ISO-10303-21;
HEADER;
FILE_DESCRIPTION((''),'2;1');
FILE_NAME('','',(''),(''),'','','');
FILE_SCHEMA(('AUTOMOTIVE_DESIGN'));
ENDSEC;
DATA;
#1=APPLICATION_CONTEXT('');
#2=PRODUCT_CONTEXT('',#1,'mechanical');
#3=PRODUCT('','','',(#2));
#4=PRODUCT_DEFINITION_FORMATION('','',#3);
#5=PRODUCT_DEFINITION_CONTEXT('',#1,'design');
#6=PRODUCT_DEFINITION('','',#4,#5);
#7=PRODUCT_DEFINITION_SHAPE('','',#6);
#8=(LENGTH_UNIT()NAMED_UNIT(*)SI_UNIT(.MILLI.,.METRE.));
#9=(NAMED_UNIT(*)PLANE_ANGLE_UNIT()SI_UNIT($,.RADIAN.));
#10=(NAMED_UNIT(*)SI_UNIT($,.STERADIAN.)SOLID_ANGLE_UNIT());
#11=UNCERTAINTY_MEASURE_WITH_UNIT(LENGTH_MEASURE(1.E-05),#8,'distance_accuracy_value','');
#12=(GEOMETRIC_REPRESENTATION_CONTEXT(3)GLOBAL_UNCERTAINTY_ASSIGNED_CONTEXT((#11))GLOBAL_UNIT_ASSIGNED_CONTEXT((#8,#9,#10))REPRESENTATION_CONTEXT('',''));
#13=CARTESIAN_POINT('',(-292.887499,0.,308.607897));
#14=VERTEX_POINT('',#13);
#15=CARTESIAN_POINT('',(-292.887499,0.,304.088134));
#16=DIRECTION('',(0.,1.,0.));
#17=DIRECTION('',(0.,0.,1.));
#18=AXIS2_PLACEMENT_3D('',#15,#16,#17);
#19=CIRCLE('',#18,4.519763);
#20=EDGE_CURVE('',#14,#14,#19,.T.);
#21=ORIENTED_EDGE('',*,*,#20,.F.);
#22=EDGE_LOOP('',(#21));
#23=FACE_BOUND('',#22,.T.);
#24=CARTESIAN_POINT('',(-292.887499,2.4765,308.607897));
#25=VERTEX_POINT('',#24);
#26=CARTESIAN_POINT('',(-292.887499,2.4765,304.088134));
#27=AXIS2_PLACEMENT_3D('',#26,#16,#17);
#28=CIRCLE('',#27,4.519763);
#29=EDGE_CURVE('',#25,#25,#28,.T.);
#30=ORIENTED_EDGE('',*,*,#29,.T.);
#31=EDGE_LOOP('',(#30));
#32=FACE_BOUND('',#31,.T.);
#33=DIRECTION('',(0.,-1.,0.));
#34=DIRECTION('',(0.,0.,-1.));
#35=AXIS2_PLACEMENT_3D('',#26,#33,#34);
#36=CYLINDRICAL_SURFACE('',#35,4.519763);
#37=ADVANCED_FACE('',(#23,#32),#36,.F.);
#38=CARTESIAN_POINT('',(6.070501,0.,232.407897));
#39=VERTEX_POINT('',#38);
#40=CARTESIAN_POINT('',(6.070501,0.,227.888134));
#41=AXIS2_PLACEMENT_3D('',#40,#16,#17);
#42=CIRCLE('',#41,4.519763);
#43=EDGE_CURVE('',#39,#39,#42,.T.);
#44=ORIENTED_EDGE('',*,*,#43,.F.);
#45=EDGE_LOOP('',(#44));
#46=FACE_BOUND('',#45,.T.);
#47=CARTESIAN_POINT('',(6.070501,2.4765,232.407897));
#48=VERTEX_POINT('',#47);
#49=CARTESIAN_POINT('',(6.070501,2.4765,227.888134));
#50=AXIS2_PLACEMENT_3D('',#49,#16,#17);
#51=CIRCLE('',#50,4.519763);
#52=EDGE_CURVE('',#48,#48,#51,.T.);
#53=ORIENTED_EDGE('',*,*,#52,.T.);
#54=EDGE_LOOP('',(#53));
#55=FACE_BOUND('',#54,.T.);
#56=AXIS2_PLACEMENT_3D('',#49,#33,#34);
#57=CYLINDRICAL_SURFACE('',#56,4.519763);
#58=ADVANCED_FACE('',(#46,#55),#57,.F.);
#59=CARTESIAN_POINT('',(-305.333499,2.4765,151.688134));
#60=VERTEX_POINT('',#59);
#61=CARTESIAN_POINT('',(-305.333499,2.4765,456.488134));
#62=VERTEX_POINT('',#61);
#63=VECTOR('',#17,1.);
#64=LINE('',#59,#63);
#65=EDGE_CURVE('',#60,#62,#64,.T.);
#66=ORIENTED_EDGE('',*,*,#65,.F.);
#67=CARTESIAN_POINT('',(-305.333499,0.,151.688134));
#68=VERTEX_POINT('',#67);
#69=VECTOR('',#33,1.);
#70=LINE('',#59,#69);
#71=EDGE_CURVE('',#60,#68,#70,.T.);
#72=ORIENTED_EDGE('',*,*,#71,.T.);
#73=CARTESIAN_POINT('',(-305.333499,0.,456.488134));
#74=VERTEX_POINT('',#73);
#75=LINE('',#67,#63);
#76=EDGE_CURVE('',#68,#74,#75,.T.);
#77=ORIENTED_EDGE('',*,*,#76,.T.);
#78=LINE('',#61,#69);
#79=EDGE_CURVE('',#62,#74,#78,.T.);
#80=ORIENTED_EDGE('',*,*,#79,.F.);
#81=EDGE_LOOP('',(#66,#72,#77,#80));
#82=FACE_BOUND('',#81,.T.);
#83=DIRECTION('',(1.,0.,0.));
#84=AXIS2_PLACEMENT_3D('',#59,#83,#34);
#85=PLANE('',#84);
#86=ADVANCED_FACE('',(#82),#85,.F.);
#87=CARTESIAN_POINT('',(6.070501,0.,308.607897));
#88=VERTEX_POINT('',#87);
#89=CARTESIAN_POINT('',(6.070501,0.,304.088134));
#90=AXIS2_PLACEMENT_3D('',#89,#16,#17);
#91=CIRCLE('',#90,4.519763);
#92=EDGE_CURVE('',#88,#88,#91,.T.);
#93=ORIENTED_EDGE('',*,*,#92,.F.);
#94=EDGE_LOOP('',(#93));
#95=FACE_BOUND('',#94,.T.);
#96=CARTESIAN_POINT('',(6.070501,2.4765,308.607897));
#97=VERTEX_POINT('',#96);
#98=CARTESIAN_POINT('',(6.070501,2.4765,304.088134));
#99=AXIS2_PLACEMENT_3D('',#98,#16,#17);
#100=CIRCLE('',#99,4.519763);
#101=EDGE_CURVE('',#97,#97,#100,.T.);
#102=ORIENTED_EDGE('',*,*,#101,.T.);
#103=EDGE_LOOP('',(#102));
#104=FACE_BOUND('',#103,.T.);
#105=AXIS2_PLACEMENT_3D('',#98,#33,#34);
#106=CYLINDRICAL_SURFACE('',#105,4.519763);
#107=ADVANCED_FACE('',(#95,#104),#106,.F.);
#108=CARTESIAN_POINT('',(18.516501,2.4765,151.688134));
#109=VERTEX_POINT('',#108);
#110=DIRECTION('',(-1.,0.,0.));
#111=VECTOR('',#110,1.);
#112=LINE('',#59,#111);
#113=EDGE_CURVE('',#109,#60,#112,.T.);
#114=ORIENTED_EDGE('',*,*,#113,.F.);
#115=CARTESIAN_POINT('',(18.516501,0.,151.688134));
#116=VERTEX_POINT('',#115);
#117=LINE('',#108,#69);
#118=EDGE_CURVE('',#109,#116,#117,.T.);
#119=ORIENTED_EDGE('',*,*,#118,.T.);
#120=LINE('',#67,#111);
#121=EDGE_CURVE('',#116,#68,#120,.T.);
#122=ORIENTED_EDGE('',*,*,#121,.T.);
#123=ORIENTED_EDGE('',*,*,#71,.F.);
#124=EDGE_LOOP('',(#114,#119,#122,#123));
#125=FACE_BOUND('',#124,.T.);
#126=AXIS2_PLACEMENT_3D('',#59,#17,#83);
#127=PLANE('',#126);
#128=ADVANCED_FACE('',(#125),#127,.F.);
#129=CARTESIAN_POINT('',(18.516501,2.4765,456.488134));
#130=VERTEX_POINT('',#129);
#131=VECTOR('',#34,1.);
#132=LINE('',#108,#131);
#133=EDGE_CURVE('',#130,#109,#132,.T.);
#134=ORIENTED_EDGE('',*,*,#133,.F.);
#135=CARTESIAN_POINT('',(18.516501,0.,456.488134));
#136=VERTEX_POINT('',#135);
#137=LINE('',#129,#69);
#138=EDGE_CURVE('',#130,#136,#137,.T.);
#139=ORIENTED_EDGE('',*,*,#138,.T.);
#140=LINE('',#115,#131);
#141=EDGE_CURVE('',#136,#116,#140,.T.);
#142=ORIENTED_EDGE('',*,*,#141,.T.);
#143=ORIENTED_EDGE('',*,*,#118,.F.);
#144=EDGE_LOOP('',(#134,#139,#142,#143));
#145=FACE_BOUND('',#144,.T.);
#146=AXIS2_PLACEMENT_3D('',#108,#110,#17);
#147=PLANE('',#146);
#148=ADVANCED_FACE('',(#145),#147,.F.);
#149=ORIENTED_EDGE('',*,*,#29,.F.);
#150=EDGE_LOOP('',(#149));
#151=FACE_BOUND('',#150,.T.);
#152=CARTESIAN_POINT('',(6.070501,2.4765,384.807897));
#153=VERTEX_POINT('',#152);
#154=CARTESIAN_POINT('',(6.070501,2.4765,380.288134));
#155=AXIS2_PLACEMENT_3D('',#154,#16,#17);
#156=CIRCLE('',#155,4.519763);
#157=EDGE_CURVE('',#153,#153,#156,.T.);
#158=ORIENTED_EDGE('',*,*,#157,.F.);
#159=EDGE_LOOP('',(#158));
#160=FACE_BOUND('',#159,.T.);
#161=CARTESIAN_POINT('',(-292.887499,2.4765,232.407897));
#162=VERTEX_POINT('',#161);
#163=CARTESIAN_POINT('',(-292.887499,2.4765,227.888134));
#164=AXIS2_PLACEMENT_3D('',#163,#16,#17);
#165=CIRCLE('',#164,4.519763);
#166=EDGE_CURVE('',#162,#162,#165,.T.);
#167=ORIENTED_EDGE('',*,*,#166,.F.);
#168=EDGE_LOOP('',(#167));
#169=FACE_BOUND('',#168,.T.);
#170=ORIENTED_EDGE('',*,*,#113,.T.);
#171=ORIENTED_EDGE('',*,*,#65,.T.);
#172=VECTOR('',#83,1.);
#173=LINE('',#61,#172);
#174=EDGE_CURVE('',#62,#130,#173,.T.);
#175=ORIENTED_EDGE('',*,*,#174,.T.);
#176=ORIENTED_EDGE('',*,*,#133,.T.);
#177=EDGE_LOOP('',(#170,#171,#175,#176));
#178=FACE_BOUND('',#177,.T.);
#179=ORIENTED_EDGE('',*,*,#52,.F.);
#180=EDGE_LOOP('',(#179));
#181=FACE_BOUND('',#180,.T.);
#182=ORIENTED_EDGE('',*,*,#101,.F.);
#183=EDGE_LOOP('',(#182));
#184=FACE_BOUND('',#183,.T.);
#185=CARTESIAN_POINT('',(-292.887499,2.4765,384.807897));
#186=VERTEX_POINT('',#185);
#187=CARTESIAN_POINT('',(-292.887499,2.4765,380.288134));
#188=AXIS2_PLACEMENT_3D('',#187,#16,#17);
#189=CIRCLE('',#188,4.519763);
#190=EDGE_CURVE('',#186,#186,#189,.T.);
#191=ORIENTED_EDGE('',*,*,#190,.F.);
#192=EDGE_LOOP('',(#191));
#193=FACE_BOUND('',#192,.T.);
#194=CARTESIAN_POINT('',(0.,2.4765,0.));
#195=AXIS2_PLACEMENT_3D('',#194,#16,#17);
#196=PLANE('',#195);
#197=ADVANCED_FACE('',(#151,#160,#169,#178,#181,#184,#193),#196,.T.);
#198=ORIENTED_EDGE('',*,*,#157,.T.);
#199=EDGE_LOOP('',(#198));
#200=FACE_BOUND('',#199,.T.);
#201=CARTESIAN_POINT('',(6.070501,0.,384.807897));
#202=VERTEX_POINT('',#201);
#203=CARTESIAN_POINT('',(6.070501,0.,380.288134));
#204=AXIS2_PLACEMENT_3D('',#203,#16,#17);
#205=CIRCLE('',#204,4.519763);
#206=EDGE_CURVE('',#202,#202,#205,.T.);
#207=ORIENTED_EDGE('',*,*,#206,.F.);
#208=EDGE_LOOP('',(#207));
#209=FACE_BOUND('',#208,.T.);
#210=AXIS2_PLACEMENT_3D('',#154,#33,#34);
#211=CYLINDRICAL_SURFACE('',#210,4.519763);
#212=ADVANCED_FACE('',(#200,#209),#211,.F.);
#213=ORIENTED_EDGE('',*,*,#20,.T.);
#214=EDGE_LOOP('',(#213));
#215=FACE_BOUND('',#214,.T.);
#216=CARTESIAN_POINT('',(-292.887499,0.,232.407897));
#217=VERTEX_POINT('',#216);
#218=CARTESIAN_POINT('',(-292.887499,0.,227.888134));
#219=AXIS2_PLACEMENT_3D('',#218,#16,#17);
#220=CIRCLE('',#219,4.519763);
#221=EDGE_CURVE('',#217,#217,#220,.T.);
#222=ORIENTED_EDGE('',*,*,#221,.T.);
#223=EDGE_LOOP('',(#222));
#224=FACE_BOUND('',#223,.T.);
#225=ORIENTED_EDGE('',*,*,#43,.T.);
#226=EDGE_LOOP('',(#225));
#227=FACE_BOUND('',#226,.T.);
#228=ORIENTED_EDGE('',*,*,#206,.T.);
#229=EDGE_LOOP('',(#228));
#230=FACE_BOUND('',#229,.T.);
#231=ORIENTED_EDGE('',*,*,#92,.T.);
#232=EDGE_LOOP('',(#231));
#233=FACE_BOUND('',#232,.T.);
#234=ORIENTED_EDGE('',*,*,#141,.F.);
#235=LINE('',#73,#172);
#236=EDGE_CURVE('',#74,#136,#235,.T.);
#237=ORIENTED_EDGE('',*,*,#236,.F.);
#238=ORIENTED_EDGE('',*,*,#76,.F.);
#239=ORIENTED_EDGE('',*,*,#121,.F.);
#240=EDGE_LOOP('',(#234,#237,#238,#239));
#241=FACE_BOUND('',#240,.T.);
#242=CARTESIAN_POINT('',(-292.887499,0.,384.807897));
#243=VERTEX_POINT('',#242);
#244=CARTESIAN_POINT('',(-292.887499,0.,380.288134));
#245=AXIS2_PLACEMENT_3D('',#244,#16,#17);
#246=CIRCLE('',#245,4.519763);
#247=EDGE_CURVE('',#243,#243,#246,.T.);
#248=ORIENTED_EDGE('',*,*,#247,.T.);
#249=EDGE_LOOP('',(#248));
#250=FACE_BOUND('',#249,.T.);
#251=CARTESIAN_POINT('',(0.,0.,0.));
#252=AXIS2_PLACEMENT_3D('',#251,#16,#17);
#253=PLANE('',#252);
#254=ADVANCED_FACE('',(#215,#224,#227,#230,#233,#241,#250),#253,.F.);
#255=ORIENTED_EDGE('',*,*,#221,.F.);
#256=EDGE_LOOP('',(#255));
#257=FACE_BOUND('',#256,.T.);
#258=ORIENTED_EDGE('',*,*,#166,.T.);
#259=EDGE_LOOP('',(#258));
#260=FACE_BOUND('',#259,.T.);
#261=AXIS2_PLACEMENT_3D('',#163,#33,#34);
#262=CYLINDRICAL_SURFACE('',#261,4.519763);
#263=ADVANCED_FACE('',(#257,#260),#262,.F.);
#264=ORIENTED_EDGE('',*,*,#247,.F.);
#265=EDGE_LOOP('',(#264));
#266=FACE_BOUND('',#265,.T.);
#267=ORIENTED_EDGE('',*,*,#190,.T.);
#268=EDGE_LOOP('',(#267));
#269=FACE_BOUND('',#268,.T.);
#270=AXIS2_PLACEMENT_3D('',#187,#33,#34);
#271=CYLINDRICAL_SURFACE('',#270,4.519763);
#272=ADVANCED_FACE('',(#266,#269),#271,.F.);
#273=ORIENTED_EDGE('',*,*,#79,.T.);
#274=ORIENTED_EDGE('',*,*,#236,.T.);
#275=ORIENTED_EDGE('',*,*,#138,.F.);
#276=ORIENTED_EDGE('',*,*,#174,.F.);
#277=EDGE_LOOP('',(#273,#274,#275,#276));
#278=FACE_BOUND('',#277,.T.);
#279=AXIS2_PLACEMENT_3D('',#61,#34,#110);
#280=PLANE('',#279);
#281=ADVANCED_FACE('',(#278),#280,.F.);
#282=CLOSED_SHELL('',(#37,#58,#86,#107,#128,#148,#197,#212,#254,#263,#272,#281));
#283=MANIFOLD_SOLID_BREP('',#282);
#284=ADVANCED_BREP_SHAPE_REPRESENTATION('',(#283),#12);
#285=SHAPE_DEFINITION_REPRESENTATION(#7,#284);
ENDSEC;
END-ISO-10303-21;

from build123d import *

# Parameters (mm, degrees)
SKETCH4_W           = 323.85
SKETCH4_H           = 304.8
SKETCH4_R           = 4.519763285
BOSS_EXTRUDE3_DEPTH = 2.4765


with BuildPart() as part:
    # Sketch4 → Boss-Extrude3 (new body)
    with BuildSketch(Plane(origin=(0, 0, 0), x_dir=(1, 0, 0), z_dir=(0, 1, 0))):
        with Locations((-143.408499065, -304.088133901)):
            Rectangle(SKETCH4_W, SKETCH4_H)
        with Locations((-292.887499065, -227.888133901)):
            Circle(SKETCH4_R, mode=Mode.SUBTRACT)
        with Locations((-292.887499065, -304.088133901)):
            Circle(SKETCH4_R, mode=Mode.SUBTRACT)
        with Locations((-292.887499065, -380.288133901)):
            Circle(SKETCH4_R, mode=Mode.SUBTRACT)
        with Locations((6.070500935, -227.888133901)):
            Circle(SKETCH4_R, mode=Mode.SUBTRACT)
        with Locations((6.070500935, -304.088133901)):
            Circle(SKETCH4_R, mode=Mode.SUBTRACT)
        with Locations((6.070500935, -380.288133901)):
            Circle(SKETCH4_R, mode=Mode.SUBTRACT)
    extrude(amount=BOSS_EXTRUDE3_DEPTH)


solid = part.part
